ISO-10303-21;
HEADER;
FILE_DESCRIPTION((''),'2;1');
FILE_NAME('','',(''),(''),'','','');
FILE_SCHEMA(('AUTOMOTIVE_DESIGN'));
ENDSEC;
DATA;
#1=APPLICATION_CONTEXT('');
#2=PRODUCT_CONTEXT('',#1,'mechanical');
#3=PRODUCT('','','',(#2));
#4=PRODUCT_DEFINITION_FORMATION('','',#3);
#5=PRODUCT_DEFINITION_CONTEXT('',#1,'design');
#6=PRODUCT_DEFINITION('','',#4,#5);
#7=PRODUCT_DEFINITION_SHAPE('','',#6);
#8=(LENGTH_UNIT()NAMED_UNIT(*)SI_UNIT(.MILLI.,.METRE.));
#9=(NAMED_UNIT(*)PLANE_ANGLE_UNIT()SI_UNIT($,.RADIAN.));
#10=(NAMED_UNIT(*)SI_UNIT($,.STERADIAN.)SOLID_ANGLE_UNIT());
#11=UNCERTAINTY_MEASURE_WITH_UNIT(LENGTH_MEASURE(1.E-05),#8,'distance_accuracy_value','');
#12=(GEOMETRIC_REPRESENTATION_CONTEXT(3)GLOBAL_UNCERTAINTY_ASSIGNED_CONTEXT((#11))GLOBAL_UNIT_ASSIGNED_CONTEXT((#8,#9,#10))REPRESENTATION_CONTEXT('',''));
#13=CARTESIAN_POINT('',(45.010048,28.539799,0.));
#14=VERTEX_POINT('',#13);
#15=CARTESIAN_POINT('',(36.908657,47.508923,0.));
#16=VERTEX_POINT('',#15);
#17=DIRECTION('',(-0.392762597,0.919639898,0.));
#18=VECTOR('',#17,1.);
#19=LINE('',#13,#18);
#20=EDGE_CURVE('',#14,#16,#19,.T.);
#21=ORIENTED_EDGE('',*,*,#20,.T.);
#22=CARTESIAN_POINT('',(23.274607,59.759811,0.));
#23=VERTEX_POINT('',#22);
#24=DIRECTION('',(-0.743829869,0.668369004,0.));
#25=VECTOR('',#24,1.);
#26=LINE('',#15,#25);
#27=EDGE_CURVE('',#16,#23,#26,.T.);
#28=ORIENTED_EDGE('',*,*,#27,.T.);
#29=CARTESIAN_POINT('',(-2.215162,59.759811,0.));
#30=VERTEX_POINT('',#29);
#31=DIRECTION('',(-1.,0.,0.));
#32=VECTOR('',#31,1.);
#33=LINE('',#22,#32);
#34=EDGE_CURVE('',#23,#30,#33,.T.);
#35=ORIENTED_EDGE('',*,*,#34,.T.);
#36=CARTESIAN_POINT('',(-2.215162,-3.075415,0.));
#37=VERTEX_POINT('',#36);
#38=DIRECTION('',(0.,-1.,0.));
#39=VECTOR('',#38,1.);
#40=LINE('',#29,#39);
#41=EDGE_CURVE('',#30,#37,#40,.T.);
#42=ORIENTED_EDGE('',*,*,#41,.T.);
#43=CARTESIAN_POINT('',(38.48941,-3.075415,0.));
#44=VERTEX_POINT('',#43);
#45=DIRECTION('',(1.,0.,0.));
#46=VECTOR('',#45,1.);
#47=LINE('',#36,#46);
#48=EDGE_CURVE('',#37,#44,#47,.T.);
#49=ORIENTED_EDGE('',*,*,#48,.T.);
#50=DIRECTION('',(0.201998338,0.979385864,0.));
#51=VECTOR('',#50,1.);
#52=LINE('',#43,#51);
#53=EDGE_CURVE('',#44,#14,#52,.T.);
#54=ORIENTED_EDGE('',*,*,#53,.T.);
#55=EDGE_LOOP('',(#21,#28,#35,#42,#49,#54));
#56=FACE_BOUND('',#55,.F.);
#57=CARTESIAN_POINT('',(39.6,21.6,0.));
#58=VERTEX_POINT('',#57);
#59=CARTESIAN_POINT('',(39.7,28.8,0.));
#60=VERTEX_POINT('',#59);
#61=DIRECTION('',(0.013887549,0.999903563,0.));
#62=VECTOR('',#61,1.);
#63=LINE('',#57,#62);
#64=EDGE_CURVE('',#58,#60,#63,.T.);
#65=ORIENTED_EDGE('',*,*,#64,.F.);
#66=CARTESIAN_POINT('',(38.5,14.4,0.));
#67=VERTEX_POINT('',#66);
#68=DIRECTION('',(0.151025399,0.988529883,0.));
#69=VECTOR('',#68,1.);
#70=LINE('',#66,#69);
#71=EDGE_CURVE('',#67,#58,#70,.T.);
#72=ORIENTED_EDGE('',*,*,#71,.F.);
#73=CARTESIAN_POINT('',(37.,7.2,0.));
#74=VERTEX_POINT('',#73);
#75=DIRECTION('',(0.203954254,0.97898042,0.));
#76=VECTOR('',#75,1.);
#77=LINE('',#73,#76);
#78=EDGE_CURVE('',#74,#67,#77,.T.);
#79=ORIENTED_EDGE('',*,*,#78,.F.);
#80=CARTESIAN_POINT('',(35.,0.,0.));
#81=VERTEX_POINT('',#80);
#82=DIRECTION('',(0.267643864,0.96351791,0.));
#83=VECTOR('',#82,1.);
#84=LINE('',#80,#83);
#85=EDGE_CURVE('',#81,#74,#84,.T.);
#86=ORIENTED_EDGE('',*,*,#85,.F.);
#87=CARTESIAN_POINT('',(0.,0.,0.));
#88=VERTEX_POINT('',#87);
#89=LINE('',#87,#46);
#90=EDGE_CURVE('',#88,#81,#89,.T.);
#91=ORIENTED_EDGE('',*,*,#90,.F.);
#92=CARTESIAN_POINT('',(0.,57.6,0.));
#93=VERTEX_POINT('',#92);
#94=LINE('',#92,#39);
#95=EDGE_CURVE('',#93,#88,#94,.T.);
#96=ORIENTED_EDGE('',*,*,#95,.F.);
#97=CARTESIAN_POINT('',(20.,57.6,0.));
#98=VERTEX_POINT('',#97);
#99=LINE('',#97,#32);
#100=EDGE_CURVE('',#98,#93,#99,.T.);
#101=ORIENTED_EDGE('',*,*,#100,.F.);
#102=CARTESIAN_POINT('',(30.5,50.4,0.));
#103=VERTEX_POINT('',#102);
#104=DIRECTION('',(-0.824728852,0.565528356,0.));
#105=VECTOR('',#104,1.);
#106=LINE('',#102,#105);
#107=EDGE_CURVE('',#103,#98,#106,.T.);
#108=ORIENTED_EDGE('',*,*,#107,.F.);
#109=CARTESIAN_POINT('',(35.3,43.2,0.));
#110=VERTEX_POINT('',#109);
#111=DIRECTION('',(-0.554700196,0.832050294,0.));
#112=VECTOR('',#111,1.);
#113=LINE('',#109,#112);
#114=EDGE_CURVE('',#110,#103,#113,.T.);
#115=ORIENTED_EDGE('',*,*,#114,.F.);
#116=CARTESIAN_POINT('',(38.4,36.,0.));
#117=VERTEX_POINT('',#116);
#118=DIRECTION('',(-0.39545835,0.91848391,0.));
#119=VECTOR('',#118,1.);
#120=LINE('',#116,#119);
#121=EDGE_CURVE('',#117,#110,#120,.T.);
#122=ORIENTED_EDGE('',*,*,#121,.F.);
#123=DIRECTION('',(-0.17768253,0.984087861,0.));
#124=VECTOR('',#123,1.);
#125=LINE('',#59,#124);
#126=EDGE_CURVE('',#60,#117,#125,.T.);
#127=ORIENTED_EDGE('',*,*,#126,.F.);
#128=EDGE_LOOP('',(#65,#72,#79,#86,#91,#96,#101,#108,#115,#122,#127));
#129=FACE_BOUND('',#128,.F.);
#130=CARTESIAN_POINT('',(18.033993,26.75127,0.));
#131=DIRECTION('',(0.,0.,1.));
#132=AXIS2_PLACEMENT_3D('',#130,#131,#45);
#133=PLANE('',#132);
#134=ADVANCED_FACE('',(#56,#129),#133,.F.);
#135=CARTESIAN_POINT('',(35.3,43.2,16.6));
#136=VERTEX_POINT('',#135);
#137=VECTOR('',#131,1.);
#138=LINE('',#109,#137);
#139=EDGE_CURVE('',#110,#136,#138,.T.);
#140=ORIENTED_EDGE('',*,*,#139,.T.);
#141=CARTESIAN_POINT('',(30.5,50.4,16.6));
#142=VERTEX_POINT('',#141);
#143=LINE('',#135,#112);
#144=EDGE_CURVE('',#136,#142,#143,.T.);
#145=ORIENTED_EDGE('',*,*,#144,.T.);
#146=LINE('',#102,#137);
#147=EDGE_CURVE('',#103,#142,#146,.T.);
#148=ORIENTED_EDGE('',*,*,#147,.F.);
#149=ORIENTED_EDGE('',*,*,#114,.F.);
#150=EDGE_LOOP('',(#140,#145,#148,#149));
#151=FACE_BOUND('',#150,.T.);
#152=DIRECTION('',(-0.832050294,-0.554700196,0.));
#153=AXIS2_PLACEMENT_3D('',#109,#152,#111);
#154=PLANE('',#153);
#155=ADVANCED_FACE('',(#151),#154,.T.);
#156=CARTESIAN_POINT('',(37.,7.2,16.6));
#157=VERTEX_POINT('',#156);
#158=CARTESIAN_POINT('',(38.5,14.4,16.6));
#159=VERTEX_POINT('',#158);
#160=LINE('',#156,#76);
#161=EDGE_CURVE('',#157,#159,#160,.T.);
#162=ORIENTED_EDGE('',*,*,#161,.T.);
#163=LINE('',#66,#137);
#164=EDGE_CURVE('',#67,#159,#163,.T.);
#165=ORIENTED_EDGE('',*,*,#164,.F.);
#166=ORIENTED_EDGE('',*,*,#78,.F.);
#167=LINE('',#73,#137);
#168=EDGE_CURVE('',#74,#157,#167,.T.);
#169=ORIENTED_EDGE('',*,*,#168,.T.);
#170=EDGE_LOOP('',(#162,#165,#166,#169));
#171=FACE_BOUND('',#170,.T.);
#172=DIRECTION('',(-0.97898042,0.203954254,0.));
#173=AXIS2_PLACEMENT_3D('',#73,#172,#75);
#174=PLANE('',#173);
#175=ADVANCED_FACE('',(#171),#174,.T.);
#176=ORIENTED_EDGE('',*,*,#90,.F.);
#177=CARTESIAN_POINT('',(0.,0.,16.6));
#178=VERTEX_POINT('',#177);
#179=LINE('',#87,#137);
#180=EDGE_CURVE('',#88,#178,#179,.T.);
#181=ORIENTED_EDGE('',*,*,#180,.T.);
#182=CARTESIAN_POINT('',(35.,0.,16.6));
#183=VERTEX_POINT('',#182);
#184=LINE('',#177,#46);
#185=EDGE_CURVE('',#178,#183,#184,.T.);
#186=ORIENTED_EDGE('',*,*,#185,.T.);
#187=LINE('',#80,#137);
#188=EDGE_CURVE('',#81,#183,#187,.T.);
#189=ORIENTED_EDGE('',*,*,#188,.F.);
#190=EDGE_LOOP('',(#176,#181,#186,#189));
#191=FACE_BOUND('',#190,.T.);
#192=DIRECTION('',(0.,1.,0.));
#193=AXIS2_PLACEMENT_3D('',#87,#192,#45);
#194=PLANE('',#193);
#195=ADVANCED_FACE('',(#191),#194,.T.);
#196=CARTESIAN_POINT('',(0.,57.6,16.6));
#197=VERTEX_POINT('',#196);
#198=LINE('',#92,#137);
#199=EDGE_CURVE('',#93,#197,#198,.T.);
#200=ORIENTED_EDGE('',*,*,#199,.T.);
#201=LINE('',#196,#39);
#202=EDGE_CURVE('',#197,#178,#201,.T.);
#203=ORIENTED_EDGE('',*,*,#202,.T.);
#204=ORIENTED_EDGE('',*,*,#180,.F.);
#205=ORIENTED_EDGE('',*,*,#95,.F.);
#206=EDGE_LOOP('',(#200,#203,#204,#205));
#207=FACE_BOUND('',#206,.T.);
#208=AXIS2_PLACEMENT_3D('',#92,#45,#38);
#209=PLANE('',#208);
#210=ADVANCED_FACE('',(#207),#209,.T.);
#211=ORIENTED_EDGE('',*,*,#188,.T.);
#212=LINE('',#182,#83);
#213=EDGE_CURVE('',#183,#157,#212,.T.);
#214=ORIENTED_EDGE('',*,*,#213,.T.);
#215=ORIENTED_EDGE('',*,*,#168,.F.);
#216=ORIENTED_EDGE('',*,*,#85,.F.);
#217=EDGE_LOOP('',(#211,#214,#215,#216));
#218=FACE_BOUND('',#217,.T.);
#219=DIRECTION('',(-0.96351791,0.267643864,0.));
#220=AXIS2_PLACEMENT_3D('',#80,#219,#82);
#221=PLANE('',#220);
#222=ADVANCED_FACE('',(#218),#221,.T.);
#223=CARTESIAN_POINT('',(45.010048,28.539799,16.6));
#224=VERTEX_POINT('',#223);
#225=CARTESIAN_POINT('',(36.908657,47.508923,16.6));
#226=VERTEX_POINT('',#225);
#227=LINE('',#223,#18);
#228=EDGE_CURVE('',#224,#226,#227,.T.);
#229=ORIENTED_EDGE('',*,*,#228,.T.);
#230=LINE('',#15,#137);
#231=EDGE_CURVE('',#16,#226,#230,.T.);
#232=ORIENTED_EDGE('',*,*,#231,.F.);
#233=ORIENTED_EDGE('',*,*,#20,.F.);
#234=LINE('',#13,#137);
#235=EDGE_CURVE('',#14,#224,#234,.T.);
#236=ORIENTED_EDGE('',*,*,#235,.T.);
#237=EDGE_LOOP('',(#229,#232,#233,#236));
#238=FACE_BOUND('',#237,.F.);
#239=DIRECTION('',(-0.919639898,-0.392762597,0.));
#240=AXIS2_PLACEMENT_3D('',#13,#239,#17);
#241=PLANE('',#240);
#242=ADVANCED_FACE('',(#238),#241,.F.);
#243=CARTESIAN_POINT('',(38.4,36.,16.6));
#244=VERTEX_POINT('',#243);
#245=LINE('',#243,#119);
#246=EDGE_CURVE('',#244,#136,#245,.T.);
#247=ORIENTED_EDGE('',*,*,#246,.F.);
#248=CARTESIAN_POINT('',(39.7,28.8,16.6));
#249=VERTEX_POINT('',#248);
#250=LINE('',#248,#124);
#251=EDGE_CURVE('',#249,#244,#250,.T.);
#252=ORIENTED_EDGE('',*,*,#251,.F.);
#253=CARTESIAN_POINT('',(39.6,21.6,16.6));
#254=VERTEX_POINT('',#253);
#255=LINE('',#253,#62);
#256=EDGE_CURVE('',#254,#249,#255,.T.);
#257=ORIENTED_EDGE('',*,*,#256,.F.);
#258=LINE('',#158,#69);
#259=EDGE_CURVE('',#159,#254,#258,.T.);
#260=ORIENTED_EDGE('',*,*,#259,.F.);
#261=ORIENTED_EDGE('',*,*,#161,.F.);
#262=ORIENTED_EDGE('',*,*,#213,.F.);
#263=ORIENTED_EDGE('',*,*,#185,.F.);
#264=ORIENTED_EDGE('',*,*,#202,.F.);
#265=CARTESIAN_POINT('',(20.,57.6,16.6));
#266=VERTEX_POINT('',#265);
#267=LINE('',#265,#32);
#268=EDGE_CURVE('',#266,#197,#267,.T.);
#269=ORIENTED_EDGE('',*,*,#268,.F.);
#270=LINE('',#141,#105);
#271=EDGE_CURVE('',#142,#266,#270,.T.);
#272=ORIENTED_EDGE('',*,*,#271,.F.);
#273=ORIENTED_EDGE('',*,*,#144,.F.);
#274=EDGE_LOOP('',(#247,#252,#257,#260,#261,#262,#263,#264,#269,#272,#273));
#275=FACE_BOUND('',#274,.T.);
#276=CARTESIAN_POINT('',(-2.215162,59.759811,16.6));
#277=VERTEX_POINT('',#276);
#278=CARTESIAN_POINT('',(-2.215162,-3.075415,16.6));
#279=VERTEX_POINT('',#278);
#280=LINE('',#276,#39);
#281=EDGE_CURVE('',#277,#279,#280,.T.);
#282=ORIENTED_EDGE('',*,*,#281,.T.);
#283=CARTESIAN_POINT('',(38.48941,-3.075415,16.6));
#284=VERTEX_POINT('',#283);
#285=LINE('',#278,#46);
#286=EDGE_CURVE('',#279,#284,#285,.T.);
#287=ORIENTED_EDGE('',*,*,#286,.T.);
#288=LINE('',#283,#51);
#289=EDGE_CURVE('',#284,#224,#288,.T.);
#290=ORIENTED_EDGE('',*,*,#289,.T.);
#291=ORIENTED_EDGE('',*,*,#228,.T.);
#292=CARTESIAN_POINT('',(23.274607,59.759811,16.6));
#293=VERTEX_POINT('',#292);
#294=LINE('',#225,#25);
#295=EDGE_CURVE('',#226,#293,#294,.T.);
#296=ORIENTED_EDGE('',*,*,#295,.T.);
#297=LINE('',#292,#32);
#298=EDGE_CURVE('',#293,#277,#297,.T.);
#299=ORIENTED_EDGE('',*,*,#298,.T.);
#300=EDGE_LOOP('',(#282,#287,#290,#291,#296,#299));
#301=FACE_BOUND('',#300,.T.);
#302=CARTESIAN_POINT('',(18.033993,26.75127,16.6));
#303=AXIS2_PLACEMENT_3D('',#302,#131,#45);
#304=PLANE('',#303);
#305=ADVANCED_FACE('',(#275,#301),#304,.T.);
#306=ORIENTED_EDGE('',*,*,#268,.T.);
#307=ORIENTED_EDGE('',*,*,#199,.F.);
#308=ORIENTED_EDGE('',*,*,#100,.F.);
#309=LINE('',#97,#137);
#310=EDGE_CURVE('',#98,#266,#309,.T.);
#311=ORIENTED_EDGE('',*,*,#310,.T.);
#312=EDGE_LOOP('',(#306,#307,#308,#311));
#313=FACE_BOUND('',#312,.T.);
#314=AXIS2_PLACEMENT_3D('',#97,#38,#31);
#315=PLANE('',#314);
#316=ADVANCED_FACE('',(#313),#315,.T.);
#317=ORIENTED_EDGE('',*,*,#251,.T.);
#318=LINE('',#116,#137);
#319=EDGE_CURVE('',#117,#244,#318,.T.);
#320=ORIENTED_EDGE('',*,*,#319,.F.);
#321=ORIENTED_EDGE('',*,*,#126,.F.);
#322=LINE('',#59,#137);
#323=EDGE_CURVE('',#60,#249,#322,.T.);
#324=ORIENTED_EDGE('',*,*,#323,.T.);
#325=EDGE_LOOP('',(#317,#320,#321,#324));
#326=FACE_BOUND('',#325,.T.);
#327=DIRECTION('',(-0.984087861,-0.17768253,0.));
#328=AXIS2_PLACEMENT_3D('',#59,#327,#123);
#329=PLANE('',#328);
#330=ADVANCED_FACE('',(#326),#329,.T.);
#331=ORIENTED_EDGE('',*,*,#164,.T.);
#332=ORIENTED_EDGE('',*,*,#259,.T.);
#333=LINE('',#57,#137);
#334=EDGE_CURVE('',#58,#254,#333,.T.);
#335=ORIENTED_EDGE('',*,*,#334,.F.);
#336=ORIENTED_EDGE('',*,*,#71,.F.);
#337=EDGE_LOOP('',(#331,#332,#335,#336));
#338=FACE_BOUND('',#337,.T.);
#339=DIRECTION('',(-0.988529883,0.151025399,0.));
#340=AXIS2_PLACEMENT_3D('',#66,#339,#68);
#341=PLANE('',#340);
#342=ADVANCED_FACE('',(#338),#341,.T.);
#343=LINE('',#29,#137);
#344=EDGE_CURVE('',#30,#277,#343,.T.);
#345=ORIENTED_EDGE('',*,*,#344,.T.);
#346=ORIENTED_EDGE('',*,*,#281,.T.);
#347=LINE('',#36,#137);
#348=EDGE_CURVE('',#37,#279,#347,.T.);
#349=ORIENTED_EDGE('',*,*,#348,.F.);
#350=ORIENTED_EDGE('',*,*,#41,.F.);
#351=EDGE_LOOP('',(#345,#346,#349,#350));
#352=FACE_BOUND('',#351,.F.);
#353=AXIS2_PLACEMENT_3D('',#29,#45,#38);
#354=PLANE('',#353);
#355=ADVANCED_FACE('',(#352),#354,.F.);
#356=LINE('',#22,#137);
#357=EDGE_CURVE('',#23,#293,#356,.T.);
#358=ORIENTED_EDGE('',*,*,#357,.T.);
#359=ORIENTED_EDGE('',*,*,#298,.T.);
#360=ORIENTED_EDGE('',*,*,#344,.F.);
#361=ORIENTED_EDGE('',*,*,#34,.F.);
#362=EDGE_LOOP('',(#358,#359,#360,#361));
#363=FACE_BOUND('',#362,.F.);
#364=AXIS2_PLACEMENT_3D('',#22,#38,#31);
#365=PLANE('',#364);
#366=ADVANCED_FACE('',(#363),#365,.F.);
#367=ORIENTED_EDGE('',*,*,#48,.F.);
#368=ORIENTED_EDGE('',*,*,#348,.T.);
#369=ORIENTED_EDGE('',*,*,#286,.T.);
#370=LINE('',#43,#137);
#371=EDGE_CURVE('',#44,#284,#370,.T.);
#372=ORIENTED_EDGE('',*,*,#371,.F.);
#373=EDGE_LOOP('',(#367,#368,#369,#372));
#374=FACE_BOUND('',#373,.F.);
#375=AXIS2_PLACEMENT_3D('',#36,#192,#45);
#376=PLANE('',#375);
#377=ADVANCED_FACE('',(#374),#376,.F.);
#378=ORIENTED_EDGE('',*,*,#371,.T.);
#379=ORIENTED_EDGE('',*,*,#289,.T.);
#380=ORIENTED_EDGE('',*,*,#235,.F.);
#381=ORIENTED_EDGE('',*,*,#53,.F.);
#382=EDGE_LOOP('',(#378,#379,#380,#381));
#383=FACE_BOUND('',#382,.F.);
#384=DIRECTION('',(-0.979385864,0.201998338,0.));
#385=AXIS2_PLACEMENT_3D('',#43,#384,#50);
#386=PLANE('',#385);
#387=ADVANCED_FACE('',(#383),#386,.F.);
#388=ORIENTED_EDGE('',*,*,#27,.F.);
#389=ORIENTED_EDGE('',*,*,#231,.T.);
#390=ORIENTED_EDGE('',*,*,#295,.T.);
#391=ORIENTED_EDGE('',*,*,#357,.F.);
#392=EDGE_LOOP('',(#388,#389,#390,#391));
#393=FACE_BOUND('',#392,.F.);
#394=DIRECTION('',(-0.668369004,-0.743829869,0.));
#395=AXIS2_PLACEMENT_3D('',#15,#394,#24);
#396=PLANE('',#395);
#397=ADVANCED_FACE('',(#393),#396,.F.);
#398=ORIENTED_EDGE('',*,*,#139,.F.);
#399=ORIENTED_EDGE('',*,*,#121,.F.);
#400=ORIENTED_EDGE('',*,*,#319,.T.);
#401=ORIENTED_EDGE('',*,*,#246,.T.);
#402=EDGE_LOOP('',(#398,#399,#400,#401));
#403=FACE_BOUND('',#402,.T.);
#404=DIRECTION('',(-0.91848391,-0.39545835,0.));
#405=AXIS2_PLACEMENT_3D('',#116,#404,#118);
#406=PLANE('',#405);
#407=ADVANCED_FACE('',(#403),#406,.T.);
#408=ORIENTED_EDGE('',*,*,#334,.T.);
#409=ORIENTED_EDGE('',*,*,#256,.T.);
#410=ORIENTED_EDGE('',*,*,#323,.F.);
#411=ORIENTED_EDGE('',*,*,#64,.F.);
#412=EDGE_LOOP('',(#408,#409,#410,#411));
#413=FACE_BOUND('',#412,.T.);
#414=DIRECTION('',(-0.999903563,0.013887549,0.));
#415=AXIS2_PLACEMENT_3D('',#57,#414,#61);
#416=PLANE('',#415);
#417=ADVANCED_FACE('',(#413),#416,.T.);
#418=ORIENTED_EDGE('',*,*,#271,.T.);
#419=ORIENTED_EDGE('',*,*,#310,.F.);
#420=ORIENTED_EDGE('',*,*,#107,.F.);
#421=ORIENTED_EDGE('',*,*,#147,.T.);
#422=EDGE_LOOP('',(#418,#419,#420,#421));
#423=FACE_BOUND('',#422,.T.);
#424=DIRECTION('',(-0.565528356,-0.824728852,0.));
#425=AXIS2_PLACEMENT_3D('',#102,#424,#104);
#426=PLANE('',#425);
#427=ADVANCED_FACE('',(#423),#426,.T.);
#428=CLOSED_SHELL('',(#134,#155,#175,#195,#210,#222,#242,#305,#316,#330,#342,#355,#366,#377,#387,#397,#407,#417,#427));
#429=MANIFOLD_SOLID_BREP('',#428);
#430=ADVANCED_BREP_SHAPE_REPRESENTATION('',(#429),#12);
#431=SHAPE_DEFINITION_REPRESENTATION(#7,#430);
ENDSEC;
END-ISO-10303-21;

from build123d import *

# Parameters (mm, degrees)
PAD_DEPTH = 16.6


with BuildPart() as part:
    # Sketch → Pad (new body)
    with BuildSketch(Plane.XY):
        Polygon((-2.215162, 59.759811), (-2.215162, -3.075415), (38.48941, -3.075415), (45.010048, 28.539799), (36.908657, 47.508923), (23.274607, 59.759811), align=None)
        Polygon((0, 0), (35, 0), (37, 7.2), (38.5, 14.4), (39.6, 21.6), (39.7, 28.8), (38.4, 36), (35.3, 43.2), (30.5, 50.4), (20, 57.6), (0, 57.6), align=None, mode=Mode.SUBTRACT)
    extrude(amount=PAD_DEPTH)


solid = part.part
